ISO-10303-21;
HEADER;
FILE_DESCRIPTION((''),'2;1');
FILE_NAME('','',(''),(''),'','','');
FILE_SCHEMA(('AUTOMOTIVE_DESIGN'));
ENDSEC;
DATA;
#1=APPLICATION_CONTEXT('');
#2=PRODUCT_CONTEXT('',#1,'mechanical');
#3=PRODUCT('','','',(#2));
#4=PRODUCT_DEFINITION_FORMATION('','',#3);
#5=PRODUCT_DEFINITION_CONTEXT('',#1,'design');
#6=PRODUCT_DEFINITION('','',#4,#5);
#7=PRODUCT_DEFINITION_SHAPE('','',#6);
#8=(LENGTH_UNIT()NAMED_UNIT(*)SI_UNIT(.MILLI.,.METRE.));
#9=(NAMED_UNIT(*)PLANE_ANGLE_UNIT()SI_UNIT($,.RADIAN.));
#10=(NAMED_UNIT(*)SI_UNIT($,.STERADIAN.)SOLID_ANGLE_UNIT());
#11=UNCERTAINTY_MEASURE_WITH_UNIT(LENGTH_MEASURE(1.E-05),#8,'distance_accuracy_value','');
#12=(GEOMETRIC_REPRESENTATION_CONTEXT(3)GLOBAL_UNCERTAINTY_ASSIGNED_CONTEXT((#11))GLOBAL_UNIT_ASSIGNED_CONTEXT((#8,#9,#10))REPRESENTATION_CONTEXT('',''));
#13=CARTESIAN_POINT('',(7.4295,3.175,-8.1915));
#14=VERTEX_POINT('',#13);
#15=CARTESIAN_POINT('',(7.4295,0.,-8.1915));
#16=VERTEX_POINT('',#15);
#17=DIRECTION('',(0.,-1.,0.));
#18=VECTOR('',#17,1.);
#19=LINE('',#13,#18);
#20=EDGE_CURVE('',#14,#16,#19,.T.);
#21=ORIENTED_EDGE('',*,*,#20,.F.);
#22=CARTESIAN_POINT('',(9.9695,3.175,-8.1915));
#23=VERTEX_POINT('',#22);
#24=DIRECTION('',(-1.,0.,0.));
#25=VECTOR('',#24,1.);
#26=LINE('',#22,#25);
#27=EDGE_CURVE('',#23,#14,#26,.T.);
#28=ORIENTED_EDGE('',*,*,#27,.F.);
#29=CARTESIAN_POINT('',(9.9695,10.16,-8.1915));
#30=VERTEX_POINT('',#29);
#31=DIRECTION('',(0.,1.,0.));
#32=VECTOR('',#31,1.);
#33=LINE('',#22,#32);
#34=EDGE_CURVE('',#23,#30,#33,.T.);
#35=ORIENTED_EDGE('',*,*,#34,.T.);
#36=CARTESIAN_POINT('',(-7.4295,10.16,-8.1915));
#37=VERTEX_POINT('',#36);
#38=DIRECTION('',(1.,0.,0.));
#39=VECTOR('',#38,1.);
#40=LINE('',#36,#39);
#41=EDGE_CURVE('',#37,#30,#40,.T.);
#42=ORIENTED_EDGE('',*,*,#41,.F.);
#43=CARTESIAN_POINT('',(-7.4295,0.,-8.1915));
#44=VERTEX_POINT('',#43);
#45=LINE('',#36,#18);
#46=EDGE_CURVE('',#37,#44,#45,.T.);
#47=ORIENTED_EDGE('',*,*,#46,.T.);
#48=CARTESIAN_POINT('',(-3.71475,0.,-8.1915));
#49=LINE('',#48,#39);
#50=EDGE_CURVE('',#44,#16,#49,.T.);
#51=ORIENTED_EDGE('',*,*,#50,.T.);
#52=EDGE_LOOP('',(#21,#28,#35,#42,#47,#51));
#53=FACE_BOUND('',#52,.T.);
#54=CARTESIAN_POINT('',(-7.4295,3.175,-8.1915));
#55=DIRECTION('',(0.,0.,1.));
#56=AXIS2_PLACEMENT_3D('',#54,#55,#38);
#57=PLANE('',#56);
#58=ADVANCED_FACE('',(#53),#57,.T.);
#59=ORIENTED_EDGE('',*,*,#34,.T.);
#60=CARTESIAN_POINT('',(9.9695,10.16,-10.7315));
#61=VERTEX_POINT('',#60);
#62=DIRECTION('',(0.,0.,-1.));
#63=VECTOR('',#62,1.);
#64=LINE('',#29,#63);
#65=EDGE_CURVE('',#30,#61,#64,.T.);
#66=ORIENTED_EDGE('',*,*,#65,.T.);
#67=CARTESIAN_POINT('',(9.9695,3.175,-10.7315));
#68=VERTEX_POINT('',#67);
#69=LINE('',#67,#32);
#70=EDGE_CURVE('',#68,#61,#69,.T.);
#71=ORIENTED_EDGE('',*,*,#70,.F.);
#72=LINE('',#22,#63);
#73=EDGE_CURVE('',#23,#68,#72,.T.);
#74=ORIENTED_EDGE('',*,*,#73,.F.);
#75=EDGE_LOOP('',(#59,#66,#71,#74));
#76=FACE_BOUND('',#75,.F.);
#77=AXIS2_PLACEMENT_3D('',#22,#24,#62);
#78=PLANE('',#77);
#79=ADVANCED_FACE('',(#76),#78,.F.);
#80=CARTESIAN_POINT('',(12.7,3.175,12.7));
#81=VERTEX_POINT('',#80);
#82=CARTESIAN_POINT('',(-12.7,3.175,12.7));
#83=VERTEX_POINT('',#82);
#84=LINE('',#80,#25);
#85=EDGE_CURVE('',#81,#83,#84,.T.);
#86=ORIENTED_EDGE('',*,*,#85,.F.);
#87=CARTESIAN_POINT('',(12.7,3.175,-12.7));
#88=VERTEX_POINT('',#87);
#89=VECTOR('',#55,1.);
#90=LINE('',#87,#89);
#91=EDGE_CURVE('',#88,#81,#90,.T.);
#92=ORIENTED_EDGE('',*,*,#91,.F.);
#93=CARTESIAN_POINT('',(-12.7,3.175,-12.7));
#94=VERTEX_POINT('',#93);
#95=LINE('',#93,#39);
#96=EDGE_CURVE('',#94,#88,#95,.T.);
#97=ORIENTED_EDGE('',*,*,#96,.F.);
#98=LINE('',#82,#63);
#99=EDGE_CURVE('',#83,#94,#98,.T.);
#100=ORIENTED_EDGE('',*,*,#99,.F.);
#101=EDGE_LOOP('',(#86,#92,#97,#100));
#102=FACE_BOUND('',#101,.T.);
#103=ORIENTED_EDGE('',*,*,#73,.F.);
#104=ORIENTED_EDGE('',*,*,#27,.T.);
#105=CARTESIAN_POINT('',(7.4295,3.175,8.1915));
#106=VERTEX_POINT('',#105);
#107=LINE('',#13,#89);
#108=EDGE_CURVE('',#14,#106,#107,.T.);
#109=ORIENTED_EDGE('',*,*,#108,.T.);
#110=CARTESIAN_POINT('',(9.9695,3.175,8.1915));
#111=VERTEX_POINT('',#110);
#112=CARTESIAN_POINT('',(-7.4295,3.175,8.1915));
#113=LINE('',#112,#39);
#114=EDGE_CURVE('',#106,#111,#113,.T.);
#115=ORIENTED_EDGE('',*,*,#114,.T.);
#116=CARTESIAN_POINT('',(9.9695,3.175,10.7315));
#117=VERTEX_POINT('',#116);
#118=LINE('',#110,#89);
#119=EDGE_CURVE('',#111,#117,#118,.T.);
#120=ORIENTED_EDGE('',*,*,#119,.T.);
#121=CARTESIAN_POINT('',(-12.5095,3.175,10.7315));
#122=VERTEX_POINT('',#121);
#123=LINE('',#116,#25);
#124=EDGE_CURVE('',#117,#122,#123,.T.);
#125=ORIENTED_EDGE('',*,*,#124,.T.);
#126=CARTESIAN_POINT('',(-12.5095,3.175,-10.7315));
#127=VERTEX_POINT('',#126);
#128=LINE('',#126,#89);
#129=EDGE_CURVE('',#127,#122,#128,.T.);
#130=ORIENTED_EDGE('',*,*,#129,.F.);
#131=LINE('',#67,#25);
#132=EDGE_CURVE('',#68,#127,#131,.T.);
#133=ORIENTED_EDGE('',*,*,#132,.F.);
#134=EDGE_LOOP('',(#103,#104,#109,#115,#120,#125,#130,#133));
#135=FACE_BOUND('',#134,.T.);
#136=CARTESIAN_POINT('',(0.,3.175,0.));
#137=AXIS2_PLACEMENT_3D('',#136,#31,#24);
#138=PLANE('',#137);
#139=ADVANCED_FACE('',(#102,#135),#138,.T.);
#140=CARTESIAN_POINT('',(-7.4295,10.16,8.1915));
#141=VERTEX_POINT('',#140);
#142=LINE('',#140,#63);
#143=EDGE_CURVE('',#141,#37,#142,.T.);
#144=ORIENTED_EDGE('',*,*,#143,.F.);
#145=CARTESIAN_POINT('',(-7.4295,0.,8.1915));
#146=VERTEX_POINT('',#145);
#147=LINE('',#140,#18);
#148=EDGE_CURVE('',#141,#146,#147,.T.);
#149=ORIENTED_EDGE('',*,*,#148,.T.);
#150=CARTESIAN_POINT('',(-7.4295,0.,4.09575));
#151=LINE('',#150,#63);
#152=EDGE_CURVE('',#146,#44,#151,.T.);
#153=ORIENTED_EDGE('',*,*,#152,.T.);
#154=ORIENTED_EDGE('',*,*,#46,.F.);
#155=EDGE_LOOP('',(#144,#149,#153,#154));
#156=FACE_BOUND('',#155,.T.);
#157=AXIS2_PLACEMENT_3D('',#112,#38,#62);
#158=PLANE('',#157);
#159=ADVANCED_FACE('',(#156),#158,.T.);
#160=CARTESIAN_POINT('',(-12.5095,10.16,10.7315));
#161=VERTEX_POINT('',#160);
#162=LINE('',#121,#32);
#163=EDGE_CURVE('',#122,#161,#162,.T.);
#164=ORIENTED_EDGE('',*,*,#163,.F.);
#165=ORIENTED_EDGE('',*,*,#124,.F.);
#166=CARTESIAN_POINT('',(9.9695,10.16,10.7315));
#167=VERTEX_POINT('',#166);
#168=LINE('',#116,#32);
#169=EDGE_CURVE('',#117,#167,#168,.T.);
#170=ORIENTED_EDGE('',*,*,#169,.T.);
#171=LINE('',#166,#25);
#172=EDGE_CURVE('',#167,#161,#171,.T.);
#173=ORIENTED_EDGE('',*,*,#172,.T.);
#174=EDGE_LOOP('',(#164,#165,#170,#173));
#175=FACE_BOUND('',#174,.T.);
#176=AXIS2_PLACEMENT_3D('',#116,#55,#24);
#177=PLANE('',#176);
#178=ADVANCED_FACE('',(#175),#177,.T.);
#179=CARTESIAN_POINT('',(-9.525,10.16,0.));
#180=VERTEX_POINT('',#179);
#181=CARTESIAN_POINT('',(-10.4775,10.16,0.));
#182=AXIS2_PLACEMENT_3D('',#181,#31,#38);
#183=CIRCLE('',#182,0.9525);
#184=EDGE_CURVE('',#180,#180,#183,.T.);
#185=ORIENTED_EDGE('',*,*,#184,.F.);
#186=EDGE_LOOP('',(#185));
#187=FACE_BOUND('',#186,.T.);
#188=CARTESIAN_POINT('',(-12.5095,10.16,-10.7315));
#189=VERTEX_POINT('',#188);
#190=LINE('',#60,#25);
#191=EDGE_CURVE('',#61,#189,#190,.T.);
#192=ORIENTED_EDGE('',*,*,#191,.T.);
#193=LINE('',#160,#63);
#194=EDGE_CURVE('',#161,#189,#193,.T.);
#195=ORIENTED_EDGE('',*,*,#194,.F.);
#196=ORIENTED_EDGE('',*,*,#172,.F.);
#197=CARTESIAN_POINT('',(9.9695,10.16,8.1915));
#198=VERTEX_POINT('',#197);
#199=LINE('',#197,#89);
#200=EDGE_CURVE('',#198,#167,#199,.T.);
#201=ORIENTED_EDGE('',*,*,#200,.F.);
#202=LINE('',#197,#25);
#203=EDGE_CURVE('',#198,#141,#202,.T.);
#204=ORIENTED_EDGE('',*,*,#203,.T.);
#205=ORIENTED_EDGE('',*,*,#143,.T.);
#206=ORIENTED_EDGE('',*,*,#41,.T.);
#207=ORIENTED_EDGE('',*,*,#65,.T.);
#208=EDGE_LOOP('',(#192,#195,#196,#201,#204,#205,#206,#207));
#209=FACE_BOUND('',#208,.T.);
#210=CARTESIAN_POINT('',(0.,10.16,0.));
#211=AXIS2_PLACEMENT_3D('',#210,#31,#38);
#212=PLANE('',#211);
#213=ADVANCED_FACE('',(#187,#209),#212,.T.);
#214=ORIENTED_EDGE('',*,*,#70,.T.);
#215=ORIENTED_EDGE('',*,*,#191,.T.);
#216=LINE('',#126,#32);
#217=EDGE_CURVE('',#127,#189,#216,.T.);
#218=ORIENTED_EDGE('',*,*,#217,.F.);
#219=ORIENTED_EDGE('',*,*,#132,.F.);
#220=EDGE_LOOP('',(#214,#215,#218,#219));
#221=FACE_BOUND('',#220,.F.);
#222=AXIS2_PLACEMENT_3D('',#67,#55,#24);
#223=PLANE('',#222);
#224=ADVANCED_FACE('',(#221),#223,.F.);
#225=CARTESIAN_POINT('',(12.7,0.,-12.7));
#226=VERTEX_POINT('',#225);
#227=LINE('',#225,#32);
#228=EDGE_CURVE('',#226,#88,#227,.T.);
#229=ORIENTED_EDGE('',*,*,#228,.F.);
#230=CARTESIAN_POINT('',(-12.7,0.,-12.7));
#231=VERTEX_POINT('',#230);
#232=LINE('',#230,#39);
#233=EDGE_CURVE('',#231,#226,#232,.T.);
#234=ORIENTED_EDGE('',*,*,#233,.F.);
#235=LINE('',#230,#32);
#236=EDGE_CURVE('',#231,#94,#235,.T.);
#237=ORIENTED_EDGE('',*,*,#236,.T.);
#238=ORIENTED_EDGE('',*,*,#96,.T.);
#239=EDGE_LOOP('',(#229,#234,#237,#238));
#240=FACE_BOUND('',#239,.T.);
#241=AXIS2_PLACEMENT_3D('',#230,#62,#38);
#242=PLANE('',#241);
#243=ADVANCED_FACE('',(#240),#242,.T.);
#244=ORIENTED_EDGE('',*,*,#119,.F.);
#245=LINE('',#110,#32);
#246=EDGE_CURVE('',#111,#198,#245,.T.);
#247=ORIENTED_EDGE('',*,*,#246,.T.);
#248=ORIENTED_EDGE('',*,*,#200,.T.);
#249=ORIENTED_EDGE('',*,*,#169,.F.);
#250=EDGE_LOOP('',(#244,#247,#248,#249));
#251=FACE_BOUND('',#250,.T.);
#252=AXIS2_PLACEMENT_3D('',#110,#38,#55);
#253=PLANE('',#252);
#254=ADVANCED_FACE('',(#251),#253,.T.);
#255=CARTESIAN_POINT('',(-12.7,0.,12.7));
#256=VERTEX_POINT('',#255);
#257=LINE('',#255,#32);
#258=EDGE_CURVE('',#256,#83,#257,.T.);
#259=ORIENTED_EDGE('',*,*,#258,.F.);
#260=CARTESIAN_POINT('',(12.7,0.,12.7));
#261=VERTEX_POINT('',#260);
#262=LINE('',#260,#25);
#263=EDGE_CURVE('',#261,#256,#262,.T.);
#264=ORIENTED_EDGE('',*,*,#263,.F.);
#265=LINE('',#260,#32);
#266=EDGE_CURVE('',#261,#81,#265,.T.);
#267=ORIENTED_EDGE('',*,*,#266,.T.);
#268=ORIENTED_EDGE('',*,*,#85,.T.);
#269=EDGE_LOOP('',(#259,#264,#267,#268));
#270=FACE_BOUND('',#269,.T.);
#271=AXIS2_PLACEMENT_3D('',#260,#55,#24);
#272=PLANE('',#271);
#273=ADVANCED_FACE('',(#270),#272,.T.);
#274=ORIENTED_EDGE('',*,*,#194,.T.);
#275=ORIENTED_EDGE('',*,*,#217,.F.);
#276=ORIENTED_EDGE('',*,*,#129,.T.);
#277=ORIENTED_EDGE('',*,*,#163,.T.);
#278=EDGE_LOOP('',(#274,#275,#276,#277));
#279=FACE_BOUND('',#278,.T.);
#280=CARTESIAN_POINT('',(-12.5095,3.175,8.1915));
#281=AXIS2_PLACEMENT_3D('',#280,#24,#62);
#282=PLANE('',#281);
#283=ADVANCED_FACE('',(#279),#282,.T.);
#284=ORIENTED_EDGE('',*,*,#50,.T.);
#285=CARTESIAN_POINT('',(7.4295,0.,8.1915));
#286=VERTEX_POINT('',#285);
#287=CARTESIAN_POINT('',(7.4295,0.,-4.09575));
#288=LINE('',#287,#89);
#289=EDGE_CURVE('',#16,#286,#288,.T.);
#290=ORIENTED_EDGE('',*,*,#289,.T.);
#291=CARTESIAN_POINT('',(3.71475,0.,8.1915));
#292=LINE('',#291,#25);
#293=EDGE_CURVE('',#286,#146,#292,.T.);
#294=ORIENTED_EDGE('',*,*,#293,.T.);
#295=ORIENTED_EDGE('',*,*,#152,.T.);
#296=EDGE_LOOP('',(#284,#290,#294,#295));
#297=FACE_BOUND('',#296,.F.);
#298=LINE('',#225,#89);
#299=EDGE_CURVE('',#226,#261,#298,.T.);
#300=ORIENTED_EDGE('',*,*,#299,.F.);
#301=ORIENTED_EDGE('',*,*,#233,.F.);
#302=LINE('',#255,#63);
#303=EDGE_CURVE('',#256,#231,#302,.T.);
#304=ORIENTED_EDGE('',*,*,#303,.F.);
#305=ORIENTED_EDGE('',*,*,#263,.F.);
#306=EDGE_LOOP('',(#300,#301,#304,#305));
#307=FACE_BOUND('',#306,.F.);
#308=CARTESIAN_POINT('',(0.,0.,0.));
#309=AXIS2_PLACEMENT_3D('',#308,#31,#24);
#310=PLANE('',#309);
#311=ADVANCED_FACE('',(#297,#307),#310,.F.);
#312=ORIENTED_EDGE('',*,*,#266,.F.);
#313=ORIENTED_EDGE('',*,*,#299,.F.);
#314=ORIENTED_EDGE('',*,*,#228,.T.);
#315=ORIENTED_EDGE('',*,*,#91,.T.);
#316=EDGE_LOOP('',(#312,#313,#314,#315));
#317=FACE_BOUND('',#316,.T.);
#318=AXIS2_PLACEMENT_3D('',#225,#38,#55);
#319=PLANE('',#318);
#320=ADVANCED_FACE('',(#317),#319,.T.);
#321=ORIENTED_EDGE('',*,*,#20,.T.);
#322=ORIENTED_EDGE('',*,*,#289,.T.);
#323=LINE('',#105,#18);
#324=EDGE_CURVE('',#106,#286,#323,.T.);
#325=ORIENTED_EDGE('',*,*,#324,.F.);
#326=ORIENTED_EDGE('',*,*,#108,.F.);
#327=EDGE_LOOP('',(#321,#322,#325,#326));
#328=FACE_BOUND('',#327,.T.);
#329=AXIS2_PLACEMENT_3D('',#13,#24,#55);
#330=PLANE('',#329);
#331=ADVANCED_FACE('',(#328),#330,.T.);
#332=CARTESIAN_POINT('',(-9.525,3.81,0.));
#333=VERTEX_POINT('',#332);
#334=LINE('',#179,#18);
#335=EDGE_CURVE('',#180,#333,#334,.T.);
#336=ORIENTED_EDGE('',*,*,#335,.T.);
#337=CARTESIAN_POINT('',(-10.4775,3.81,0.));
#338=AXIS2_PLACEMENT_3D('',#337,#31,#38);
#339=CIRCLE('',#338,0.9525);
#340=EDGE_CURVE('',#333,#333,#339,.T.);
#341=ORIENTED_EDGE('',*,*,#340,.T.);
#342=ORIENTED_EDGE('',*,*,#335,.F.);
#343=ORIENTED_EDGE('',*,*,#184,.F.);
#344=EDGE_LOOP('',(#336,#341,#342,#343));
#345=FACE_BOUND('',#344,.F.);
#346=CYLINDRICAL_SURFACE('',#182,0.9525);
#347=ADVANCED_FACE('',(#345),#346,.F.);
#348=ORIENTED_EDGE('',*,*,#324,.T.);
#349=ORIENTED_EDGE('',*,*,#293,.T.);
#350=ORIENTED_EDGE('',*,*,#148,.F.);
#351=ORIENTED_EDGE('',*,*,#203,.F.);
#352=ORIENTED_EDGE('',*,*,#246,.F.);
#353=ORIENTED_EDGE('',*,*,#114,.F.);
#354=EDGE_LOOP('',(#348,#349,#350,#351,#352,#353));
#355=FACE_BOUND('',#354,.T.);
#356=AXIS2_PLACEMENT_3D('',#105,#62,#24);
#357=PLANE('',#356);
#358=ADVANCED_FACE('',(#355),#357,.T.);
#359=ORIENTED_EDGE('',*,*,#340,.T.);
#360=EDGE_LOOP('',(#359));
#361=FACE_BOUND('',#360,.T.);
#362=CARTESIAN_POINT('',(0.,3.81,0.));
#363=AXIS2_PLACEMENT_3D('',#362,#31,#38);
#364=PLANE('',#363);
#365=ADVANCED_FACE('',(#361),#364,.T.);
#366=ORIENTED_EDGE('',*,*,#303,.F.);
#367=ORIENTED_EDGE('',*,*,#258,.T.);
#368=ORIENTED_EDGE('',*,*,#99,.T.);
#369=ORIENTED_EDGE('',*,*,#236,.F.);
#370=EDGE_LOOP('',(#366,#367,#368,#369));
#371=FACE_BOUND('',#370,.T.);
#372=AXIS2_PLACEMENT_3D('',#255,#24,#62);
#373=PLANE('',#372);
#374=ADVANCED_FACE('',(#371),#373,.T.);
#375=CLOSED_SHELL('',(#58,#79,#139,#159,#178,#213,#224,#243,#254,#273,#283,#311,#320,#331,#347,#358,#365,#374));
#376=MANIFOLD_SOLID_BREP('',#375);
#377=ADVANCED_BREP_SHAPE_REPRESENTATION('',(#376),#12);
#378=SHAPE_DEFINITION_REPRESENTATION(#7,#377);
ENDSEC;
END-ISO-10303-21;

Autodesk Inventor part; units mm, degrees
ref_plane "YZ Plane" through (0, 0, 0) normal (1, 0, 0) x (0, 1, 0)
ref_plane "XZ Plane" through (0, 0, 0) normal (0, 1, 0) x (-1, 0, 0)
ref_plane "XY Plane" through (0, 0, 0) normal (0, 0, 1) x (1, 0, 0)
sketch "Sketch1" plane through (0, 0, 0) normal (0, 1, 0) x (-1, 0, 0)
  line L0 (-12.7, 12.7) -> (12.7, 12.7)
  line L1 (12.7, 12.7) -> (12.7, -12.7)
  line L2 (12.7, -12.7) -> (-12.7, -12.7)
  line L3 (-12.7, -12.7) -> (-12.7, 12.7)
  line L4 (-12.7, 12.7) -> (12.7, -12.7) construction
  line L5 (12.7, 12.7) -> (-12.7, -12.7) construction
  point P0 (0, 0)
  dimension "d0" = 25.4
  dimension "d1" = 25.4
extrude "Extrusion1" add sketch "Sketch1" along normal blind 3.175
sketch "Sketch2" plane through (0, 3.175, 0) normal (0, 1, 0) x (1, 0, 0)
  line L0 (7.4295, -8.1915) -> (-7.4295, -8.1915)
  line L1 (-7.4295, -8.1915) -> (-7.4295, 8.1915)
  line L2 (-7.4295, 8.1915) -> (7.4295, 8.1915)
  line L3 (7.4295, 8.1915) -> (7.4295, -8.1915)
  line L4 (7.4295, -8.1915) -> (-7.4295, 8.1915) construction
  line L5 (-7.4295, -8.1915) -> (7.4295, 8.1915) construction
  point P0 (0, 0)
  dimension "d4" = 14.859
  dimension "d5" = 16.383
extrude "Extrusion2" cut sketch "Sketch2" against normal through all
sketch "Sketch3" plane through (0, 3.175, 0) normal (0, 1, 0) x (1, 0, 0)
  line L0 (-7.4295, -8.1915) -> (-7.4295, 8.1915) projected
  line L1 (-7.4295, -8.1915) -> (-12.5095, -8.1915)
  line L2 (-12.5095, -8.1915) -> (-12.5095, 8.1915)
  line L3 (-12.5095, 8.1915) -> (-7.4295, 8.1915)
  line L4 (-7.4295, 8.1915) -> (-7.4295, -8.1915)
  line L5 (-12.5095, -8.1915) -> (9.9695, -8.1915)
  line L6 (9.9695, -8.1915) -> (9.9695, -10.7315)
  line L7 (9.9695, -10.7315) -> (-12.5095, -10.7315)
  line L8 (-12.5095, -10.7315) -> (-12.5095, -8.1915)
  line L9 (7.4295, 8.1915) -> (7.4295, -8.1915) projected
  line L10 (-12.5095, 8.1915) -> (9.9695, 8.1915)
  line L11 (9.9695, 8.1915) -> (9.9695, 10.7315)
  line L12 (9.9695, 10.7315) -> (-12.5095, 10.7315)
  line L13 (-12.5095, 10.7315) -> (-12.5095, 8.1915)
  point P0 (0, 0)
  point P1 (-9.9695, 8.1915)
  point P2 (9.9695, -9.4615)
  point P3 (9.9695, 9.4615)
  dimension "d11" = 2.54
  dimension "d12" = 2.54
  dimension "d13" = 2.54
  dimension "d14" = 5.08
extrude "Extrusion3" add sketch "Sketch3" along normal blind 6.985 contours L1 L2 L3 L0 | L5 L6 L7 L8 L1 | L3 L13 L12 L11 L10
sketch "Sketch4" plane through (0, 10.16, 0) normal (0, 1, 0) x (1, 0, 0)
  line L0 (-7.4295, -8.1915) -> (-7.4295, 8.1915) construction
  line L1 (-7.4295, -3.81) -> (-9.7155, -3.81) construction
  line L2 (-9.7155, -3.81) -> (-9.7155, 3.81) construction
  line L3 (-9.7155, 3.81) -> (-7.4295, 3.81) construction
  line L4 (-7.4295, 3.81) -> (-7.4295, -3.81) construction
  circle A0 centre (-10.4775, 0) radius 1.143 construction
  circle A1 centre (-10.4775, 0) radius 0.9525
  point P0 (0, 0)
  point P1 (-7.4295, 0)
  point P2 (-9.7155, 0)
  dimension "d15" = 2.286
  dimension "d16" = 7.62
  dimension "d17" = 2.286
  dimension "d18" = 1.905
  dimension "d21" = 0.762
extrude "Extrusion4" cut sketch "Sketch4" against normal blind 6.35
properties part number "RJ45Insert"
